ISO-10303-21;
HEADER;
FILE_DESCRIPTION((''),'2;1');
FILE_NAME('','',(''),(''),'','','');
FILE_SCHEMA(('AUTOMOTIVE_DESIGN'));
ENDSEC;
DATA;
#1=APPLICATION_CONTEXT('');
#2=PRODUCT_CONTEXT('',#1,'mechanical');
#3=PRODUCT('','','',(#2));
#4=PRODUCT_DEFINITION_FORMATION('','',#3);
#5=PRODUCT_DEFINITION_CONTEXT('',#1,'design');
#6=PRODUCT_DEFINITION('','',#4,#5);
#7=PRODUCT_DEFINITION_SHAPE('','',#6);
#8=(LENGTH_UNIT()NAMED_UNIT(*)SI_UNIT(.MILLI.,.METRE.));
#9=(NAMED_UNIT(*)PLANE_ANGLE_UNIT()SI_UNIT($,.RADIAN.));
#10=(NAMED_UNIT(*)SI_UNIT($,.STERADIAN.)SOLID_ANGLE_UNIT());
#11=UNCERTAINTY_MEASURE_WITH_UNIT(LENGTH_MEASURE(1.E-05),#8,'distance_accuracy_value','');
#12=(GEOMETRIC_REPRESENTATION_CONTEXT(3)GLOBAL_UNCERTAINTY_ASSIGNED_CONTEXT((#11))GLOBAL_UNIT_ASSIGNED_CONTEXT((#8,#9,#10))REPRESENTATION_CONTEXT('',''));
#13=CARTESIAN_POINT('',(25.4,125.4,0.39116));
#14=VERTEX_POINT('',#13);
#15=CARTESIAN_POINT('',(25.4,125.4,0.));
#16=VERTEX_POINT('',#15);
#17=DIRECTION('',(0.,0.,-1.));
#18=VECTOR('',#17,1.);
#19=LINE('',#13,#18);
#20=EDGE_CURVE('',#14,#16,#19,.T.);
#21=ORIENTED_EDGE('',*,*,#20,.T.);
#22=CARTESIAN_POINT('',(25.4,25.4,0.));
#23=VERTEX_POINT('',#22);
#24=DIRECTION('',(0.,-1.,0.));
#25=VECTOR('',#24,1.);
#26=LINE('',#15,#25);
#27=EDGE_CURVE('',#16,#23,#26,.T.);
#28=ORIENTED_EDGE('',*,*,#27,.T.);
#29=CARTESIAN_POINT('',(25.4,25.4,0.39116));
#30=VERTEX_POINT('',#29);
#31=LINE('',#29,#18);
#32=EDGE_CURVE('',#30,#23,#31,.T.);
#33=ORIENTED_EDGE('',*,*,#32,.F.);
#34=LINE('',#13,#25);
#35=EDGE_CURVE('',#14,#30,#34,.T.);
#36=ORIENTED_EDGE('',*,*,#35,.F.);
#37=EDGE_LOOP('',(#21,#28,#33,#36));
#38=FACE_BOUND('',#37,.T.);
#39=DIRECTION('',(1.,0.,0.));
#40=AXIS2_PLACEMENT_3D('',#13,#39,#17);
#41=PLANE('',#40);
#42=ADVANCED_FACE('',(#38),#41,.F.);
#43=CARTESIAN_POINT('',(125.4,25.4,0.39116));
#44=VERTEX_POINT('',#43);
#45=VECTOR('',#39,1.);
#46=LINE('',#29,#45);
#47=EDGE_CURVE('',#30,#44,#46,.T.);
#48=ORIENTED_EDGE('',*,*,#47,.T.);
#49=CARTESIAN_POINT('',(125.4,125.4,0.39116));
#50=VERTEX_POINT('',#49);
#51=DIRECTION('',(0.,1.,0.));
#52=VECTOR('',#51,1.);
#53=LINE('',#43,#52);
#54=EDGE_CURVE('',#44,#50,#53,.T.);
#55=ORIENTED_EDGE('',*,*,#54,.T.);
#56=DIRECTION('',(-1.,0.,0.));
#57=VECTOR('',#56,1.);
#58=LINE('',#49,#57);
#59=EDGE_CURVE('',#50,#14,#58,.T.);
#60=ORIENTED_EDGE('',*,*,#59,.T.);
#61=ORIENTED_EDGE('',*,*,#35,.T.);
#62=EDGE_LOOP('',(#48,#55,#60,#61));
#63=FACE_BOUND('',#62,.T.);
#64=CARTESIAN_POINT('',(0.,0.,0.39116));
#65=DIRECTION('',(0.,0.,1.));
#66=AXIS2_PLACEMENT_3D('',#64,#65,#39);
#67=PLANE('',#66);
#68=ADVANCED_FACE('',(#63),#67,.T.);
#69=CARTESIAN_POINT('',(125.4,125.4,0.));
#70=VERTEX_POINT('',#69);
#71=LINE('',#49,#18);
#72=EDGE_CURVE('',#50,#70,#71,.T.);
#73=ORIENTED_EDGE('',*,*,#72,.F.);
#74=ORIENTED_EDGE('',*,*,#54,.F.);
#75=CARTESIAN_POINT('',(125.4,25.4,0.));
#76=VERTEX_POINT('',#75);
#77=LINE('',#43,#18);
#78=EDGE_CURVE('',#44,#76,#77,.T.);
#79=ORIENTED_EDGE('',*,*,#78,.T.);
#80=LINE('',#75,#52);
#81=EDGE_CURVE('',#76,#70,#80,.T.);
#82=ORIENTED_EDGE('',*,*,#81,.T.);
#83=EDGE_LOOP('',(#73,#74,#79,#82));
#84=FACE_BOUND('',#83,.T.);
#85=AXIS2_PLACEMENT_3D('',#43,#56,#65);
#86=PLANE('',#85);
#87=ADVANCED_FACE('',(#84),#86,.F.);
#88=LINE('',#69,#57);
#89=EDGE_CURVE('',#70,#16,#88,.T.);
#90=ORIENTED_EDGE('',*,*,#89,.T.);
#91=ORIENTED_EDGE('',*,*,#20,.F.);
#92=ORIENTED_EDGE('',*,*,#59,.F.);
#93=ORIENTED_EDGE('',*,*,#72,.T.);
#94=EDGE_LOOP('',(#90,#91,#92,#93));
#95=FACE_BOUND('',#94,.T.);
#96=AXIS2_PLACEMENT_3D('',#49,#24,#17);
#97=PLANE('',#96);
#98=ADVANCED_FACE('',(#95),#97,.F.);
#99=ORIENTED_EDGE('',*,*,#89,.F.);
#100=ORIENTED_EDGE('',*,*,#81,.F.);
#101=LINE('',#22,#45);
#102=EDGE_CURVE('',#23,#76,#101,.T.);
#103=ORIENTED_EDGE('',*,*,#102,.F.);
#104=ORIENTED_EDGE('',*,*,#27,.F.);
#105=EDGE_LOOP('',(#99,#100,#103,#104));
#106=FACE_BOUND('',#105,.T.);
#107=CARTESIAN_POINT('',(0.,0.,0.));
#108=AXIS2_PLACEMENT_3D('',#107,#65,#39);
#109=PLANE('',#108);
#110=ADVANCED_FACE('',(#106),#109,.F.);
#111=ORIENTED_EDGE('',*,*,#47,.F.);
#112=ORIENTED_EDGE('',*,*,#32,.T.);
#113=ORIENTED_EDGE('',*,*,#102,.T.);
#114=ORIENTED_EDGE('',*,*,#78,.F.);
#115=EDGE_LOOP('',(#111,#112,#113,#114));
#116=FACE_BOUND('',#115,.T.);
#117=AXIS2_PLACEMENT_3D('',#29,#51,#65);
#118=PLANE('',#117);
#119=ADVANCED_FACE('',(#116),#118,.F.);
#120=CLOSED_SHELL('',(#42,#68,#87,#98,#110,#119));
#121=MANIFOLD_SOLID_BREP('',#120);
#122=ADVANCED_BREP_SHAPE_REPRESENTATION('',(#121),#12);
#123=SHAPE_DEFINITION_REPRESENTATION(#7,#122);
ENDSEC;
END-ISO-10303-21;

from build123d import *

# Parameters (mm, degrees)
SKETCH_1_W  = 100
SKETCH_1_H  = 100
BOARD_DEPTH = 0.39116


with BuildPart() as part:
    # 草圖1 → Board (new body)
    with BuildSketch(Plane.XY):
        with Locations((75.4, 75.4)):
            Rectangle(SKETCH_1_W, SKETCH_1_H)
    extrude(amount=BOARD_DEPTH)


solid = part.part
